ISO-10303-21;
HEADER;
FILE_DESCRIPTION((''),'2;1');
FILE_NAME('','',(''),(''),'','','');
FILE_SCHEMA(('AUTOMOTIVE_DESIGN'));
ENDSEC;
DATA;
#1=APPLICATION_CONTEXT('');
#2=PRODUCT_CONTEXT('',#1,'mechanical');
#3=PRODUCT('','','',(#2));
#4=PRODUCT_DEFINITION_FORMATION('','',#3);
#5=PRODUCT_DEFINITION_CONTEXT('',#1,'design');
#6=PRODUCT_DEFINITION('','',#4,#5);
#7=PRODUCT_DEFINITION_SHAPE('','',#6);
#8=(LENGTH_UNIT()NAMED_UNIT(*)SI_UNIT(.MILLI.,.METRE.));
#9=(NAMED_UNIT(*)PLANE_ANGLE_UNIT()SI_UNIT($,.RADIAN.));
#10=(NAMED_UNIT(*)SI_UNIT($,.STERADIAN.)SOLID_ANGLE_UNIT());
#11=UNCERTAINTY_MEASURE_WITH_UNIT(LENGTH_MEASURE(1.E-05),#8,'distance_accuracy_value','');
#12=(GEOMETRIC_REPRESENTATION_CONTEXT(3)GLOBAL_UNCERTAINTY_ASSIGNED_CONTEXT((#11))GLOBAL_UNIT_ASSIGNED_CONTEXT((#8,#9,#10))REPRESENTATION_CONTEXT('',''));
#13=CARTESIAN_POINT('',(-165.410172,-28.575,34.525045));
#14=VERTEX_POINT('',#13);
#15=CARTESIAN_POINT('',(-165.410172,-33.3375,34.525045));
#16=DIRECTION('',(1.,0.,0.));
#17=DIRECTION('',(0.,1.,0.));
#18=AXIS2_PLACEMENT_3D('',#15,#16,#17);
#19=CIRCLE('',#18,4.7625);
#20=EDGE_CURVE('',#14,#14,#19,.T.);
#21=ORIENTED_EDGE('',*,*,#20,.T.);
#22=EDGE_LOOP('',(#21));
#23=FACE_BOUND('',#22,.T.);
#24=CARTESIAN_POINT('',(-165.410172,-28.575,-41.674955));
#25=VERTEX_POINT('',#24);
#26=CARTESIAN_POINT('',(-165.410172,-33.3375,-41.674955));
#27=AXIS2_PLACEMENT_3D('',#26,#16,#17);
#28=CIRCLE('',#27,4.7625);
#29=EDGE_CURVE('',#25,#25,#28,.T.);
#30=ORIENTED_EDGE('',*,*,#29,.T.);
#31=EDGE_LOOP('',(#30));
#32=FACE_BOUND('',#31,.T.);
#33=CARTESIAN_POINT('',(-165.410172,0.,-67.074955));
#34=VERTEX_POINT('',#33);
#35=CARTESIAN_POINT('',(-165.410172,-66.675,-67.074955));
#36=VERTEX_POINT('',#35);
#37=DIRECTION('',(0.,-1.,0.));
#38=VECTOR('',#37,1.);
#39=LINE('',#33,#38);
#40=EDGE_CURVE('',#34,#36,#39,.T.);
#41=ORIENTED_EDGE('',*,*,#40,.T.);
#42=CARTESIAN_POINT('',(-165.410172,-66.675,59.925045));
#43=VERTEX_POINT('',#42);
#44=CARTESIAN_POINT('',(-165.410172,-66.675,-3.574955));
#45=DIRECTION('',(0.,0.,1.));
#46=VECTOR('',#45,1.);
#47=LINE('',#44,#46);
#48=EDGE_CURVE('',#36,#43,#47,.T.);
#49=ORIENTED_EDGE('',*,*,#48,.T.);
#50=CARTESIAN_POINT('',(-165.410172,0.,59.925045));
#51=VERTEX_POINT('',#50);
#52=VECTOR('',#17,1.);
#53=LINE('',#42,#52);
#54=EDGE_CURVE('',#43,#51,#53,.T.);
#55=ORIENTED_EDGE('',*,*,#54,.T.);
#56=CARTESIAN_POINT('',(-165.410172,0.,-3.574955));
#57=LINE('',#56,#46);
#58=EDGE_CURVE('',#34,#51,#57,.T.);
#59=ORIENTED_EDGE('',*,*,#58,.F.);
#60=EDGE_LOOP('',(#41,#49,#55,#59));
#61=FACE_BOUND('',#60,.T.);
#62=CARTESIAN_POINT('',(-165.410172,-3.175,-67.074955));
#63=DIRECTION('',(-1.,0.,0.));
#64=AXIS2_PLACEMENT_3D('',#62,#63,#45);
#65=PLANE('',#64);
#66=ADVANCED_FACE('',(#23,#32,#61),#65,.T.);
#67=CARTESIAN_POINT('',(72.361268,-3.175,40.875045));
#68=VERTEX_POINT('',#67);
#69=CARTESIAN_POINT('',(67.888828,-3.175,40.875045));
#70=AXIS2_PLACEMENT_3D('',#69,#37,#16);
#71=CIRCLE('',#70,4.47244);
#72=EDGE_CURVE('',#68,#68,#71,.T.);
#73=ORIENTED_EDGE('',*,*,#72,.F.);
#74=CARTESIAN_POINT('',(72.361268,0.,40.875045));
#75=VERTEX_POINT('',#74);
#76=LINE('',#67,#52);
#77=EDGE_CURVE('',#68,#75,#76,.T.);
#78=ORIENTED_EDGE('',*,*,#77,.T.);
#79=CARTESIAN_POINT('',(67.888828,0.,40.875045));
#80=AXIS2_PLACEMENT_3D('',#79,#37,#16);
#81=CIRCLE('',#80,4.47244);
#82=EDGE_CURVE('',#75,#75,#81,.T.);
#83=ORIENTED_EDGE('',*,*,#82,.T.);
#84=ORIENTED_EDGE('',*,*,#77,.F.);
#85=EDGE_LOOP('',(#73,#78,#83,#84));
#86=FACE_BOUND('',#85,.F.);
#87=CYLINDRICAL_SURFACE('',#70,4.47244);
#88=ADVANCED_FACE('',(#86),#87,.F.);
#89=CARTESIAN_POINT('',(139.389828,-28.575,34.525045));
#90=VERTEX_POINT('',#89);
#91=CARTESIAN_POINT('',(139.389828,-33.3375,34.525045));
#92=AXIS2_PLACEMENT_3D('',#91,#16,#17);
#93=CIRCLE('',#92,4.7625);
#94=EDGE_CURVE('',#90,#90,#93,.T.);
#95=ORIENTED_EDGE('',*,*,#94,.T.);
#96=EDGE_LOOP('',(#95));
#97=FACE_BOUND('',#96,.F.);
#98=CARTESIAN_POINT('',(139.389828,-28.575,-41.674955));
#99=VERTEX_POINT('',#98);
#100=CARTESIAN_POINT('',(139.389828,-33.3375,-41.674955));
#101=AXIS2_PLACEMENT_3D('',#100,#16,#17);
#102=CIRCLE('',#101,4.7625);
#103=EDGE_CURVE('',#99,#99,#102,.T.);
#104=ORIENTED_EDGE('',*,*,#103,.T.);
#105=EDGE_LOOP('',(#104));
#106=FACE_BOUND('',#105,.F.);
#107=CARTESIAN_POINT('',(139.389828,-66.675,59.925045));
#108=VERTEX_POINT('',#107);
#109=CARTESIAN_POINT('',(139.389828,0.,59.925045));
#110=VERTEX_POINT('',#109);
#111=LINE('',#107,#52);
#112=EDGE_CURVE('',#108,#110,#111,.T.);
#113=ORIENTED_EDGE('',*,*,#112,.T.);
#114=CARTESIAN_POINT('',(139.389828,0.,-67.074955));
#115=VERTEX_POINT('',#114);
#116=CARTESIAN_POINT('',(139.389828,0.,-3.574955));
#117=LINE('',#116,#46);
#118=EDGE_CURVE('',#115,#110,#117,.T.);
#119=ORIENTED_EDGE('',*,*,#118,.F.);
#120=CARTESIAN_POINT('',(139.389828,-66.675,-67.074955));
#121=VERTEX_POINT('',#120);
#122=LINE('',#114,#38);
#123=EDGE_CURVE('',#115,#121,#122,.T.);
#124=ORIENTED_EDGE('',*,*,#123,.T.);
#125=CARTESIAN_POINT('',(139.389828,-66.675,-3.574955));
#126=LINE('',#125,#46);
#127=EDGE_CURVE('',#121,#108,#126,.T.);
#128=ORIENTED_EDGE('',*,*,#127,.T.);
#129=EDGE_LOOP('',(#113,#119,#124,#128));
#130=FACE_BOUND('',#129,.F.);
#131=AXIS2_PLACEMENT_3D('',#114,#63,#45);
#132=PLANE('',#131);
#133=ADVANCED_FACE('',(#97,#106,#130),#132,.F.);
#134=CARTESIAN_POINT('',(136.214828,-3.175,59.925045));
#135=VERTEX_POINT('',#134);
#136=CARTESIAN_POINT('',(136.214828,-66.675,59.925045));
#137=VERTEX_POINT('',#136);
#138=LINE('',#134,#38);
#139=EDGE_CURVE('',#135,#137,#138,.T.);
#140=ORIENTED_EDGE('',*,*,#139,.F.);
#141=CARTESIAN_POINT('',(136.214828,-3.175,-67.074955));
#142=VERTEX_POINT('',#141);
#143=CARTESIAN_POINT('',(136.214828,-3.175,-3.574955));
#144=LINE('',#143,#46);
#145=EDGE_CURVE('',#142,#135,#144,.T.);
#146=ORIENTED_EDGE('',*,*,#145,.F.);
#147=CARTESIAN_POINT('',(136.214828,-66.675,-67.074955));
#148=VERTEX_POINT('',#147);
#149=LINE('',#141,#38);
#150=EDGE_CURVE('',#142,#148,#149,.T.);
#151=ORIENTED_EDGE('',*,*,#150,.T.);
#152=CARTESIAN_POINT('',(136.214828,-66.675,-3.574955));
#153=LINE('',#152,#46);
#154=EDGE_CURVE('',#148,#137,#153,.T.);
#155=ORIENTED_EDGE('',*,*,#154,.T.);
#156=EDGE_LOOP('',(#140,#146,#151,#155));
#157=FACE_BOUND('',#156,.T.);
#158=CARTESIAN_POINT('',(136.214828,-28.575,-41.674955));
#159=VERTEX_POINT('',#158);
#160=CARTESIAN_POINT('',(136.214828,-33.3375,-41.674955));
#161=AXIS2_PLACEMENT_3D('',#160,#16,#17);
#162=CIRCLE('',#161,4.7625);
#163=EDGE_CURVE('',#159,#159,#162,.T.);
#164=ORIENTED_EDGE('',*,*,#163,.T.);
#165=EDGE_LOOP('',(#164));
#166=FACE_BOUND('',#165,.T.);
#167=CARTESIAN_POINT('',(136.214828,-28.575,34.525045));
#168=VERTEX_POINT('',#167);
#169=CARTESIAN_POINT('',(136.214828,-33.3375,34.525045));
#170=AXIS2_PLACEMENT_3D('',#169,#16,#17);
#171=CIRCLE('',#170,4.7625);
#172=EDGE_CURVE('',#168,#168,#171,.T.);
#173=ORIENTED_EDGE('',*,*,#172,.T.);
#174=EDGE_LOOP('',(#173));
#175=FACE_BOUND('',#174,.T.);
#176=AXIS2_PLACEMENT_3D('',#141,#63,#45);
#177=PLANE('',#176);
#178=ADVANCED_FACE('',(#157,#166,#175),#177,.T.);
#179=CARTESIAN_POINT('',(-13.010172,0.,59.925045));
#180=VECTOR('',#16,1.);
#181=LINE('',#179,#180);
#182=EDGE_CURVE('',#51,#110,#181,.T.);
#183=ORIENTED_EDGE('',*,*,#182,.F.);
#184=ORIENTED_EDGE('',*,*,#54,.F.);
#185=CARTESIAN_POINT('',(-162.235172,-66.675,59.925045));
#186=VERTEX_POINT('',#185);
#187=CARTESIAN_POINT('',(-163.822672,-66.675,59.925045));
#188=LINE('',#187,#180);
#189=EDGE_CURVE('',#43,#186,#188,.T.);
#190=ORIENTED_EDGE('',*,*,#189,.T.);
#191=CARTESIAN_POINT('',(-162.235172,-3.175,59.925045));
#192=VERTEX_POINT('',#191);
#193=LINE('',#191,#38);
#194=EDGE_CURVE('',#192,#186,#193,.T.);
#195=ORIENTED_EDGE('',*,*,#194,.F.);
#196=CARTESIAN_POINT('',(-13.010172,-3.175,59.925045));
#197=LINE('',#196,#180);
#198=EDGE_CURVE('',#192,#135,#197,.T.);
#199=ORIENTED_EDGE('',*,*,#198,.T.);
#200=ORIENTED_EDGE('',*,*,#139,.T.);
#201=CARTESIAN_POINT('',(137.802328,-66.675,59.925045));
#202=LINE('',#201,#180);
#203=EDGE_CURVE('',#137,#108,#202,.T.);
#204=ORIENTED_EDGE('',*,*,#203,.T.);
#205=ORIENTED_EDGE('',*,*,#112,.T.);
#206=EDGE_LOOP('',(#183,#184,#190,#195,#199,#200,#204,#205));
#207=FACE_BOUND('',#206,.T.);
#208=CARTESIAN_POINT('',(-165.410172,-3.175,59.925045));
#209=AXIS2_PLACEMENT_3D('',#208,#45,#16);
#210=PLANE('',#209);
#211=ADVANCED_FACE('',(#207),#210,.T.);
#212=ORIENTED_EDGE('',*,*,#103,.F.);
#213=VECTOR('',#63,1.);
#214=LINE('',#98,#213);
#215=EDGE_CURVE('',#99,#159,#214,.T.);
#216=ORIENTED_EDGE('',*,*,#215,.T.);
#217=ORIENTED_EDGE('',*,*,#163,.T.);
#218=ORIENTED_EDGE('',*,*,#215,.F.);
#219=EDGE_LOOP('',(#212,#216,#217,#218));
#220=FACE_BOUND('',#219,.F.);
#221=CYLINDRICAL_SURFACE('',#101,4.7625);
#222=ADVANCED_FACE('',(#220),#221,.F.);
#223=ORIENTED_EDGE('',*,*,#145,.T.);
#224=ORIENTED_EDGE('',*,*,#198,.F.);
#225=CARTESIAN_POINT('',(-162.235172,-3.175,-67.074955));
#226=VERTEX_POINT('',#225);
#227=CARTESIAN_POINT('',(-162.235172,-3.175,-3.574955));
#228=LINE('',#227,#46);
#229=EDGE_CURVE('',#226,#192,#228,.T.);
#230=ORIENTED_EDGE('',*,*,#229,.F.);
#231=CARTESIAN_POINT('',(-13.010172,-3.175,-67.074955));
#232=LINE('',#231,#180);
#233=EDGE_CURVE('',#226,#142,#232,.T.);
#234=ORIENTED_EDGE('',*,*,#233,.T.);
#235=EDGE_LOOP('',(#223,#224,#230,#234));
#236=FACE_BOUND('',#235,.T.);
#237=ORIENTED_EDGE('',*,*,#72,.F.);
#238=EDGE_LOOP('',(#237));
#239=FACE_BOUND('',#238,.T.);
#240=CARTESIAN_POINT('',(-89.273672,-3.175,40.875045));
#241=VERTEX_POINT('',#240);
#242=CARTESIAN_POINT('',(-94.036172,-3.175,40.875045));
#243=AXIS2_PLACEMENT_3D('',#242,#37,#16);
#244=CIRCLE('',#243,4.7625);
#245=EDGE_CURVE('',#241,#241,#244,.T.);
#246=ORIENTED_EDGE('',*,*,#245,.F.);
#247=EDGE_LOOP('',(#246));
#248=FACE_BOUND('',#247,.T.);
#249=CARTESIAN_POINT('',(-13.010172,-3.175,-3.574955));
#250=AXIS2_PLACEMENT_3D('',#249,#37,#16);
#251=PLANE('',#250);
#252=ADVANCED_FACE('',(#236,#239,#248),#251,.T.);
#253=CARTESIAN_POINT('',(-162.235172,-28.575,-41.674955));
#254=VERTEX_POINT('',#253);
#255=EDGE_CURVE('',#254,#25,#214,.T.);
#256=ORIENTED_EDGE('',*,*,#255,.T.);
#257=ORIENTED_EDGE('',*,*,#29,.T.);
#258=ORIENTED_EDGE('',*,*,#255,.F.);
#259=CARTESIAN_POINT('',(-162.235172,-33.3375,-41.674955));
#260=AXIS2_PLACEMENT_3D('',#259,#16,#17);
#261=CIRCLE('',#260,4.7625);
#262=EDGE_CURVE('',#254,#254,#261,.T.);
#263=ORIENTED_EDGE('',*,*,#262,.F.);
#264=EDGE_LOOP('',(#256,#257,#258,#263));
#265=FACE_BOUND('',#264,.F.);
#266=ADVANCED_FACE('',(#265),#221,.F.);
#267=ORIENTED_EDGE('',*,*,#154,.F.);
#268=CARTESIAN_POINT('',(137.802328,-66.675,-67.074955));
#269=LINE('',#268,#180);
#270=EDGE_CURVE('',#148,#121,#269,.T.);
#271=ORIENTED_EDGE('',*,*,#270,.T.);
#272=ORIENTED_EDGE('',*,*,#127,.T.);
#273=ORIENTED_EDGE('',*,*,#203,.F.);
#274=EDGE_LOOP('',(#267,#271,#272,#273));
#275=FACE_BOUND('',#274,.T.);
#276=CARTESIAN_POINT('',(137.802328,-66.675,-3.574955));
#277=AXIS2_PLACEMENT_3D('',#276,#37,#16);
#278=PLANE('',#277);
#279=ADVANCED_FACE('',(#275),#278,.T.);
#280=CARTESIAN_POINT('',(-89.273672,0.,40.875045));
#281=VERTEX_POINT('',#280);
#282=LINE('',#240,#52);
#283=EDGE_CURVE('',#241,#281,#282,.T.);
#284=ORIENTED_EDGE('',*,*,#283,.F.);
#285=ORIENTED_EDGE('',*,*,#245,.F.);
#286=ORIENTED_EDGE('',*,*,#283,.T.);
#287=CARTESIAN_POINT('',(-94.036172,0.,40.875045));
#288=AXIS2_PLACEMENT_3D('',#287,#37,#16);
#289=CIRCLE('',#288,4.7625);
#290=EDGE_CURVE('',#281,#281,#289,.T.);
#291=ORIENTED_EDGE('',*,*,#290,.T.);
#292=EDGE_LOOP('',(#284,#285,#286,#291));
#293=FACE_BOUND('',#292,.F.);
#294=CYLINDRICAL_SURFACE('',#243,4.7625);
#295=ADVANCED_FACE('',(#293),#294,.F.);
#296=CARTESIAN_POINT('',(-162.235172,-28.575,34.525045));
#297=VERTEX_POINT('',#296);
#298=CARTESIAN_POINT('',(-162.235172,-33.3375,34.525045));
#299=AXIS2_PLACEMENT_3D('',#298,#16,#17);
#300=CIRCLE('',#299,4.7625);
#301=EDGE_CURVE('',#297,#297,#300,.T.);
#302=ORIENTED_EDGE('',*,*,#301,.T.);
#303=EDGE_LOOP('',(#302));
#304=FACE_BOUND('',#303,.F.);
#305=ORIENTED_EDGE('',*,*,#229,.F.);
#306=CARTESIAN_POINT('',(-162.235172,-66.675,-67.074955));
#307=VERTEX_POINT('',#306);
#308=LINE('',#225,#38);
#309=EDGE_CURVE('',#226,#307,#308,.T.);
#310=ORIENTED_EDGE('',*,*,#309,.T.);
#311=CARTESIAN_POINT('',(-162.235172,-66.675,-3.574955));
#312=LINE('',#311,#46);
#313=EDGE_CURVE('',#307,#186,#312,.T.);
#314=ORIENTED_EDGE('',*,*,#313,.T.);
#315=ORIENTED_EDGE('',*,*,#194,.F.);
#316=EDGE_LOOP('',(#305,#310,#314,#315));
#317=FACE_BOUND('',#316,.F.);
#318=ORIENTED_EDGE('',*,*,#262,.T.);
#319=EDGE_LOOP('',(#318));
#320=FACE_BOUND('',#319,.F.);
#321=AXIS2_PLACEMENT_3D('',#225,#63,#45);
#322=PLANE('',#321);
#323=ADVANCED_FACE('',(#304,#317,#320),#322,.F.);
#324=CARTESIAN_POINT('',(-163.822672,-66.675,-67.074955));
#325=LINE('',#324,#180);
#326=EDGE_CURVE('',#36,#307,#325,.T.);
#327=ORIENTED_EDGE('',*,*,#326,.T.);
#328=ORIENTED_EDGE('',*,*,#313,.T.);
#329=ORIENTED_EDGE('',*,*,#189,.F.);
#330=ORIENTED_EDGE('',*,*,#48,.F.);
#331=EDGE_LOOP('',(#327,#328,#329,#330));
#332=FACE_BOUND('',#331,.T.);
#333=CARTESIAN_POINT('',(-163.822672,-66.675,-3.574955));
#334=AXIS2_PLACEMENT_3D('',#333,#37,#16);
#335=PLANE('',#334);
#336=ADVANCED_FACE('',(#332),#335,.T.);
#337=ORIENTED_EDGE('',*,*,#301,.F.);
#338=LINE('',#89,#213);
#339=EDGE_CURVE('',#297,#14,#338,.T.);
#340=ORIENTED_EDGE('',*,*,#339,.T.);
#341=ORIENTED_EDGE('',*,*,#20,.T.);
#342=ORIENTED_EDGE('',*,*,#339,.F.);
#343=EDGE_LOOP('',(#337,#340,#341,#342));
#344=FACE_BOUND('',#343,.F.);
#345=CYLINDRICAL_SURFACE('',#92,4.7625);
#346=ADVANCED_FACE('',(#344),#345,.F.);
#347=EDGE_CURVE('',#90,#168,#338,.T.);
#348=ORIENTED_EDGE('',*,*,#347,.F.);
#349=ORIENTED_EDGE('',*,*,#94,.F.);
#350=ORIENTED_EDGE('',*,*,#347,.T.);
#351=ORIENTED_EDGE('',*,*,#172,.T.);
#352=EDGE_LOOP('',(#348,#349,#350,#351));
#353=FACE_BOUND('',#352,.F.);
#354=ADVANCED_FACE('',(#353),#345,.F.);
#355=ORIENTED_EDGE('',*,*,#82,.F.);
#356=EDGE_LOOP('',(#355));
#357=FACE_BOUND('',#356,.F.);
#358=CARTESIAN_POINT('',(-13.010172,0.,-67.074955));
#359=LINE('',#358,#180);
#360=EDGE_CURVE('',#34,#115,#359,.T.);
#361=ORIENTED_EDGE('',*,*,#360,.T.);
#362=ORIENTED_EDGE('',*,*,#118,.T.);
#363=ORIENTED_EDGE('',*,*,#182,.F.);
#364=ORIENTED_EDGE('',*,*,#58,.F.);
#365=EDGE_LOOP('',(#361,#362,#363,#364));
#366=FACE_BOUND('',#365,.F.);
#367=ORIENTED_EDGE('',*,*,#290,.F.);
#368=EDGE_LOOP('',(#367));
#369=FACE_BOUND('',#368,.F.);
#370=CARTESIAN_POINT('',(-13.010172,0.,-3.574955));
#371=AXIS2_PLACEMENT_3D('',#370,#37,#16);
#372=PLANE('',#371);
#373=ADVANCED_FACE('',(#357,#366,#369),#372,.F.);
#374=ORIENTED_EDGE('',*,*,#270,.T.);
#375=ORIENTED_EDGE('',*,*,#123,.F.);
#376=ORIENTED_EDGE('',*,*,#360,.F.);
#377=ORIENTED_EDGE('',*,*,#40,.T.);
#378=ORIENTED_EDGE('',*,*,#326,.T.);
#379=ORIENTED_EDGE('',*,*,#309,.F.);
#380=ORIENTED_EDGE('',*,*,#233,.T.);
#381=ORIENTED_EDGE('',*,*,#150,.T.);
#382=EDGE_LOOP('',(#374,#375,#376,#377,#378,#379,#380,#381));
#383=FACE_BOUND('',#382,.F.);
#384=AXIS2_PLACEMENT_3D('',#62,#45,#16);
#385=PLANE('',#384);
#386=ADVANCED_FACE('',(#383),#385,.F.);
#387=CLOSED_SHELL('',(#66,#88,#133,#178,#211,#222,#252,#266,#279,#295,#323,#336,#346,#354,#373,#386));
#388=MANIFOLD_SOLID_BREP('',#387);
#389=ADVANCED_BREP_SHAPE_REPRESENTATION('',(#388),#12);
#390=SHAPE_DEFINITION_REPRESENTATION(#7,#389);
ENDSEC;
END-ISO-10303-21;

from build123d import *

# Parameters (mm, degrees)
F0_W     = 304.8
F0_H     = 127
F1_DEPTH = 3.175
F2_W     = 3.175
F2_H     = 127
F3_DEPTH = 63.5
F4_R     = 4.7625
F4_R_2   = 4.47244
F5_DEPTH = 25.4
F6_R     = 4.7625
F7_DEPTH = 304.8


with BuildPart() as f1:
    # F0 (on Front) → F1 (new body)
    with BuildSketch(Plane.XZ):
        with Locations((-13.010172, -3.574955)):
            Rectangle(F0_W, F0_H)
    extrude(amount=F1_DEPTH)

    # F2 (on face) → F3 (join)
    with BuildSketch(Plane.XZ.offset(3.175)):
        with Locations((-163.822672, -3.574955)):
            Rectangle(F2_W, F2_H)
        with Locations((137.802328, -3.574955)):
            Rectangle(F2_W, F2_H)
    extrude(amount=F3_DEPTH)

    # F4 (on face) → F5 (cut)
    with BuildSketch(Plane.XZ.offset(3.175)):
        with Locations((-94.036172, 40.875045)):
            Circle(F4_R)
        with Locations((67.888828, 40.875045)):
            Circle(F4_R_2)
    extrude(amount=-F5_DEPTH, mode=Mode.SUBTRACT)

    # F6 (on face) → F7 (cut)
    with BuildSketch(Plane.YZ.offset(139.389828)):
        with Locations((-33.3375, 34.525045)):
            Circle(F6_R)
        with Locations((-33.3375, -41.674955)):
            Circle(F6_R)
    extrude(amount=-F7_DEPTH, mode=Mode.SUBTRACT)


solid = f1.part
